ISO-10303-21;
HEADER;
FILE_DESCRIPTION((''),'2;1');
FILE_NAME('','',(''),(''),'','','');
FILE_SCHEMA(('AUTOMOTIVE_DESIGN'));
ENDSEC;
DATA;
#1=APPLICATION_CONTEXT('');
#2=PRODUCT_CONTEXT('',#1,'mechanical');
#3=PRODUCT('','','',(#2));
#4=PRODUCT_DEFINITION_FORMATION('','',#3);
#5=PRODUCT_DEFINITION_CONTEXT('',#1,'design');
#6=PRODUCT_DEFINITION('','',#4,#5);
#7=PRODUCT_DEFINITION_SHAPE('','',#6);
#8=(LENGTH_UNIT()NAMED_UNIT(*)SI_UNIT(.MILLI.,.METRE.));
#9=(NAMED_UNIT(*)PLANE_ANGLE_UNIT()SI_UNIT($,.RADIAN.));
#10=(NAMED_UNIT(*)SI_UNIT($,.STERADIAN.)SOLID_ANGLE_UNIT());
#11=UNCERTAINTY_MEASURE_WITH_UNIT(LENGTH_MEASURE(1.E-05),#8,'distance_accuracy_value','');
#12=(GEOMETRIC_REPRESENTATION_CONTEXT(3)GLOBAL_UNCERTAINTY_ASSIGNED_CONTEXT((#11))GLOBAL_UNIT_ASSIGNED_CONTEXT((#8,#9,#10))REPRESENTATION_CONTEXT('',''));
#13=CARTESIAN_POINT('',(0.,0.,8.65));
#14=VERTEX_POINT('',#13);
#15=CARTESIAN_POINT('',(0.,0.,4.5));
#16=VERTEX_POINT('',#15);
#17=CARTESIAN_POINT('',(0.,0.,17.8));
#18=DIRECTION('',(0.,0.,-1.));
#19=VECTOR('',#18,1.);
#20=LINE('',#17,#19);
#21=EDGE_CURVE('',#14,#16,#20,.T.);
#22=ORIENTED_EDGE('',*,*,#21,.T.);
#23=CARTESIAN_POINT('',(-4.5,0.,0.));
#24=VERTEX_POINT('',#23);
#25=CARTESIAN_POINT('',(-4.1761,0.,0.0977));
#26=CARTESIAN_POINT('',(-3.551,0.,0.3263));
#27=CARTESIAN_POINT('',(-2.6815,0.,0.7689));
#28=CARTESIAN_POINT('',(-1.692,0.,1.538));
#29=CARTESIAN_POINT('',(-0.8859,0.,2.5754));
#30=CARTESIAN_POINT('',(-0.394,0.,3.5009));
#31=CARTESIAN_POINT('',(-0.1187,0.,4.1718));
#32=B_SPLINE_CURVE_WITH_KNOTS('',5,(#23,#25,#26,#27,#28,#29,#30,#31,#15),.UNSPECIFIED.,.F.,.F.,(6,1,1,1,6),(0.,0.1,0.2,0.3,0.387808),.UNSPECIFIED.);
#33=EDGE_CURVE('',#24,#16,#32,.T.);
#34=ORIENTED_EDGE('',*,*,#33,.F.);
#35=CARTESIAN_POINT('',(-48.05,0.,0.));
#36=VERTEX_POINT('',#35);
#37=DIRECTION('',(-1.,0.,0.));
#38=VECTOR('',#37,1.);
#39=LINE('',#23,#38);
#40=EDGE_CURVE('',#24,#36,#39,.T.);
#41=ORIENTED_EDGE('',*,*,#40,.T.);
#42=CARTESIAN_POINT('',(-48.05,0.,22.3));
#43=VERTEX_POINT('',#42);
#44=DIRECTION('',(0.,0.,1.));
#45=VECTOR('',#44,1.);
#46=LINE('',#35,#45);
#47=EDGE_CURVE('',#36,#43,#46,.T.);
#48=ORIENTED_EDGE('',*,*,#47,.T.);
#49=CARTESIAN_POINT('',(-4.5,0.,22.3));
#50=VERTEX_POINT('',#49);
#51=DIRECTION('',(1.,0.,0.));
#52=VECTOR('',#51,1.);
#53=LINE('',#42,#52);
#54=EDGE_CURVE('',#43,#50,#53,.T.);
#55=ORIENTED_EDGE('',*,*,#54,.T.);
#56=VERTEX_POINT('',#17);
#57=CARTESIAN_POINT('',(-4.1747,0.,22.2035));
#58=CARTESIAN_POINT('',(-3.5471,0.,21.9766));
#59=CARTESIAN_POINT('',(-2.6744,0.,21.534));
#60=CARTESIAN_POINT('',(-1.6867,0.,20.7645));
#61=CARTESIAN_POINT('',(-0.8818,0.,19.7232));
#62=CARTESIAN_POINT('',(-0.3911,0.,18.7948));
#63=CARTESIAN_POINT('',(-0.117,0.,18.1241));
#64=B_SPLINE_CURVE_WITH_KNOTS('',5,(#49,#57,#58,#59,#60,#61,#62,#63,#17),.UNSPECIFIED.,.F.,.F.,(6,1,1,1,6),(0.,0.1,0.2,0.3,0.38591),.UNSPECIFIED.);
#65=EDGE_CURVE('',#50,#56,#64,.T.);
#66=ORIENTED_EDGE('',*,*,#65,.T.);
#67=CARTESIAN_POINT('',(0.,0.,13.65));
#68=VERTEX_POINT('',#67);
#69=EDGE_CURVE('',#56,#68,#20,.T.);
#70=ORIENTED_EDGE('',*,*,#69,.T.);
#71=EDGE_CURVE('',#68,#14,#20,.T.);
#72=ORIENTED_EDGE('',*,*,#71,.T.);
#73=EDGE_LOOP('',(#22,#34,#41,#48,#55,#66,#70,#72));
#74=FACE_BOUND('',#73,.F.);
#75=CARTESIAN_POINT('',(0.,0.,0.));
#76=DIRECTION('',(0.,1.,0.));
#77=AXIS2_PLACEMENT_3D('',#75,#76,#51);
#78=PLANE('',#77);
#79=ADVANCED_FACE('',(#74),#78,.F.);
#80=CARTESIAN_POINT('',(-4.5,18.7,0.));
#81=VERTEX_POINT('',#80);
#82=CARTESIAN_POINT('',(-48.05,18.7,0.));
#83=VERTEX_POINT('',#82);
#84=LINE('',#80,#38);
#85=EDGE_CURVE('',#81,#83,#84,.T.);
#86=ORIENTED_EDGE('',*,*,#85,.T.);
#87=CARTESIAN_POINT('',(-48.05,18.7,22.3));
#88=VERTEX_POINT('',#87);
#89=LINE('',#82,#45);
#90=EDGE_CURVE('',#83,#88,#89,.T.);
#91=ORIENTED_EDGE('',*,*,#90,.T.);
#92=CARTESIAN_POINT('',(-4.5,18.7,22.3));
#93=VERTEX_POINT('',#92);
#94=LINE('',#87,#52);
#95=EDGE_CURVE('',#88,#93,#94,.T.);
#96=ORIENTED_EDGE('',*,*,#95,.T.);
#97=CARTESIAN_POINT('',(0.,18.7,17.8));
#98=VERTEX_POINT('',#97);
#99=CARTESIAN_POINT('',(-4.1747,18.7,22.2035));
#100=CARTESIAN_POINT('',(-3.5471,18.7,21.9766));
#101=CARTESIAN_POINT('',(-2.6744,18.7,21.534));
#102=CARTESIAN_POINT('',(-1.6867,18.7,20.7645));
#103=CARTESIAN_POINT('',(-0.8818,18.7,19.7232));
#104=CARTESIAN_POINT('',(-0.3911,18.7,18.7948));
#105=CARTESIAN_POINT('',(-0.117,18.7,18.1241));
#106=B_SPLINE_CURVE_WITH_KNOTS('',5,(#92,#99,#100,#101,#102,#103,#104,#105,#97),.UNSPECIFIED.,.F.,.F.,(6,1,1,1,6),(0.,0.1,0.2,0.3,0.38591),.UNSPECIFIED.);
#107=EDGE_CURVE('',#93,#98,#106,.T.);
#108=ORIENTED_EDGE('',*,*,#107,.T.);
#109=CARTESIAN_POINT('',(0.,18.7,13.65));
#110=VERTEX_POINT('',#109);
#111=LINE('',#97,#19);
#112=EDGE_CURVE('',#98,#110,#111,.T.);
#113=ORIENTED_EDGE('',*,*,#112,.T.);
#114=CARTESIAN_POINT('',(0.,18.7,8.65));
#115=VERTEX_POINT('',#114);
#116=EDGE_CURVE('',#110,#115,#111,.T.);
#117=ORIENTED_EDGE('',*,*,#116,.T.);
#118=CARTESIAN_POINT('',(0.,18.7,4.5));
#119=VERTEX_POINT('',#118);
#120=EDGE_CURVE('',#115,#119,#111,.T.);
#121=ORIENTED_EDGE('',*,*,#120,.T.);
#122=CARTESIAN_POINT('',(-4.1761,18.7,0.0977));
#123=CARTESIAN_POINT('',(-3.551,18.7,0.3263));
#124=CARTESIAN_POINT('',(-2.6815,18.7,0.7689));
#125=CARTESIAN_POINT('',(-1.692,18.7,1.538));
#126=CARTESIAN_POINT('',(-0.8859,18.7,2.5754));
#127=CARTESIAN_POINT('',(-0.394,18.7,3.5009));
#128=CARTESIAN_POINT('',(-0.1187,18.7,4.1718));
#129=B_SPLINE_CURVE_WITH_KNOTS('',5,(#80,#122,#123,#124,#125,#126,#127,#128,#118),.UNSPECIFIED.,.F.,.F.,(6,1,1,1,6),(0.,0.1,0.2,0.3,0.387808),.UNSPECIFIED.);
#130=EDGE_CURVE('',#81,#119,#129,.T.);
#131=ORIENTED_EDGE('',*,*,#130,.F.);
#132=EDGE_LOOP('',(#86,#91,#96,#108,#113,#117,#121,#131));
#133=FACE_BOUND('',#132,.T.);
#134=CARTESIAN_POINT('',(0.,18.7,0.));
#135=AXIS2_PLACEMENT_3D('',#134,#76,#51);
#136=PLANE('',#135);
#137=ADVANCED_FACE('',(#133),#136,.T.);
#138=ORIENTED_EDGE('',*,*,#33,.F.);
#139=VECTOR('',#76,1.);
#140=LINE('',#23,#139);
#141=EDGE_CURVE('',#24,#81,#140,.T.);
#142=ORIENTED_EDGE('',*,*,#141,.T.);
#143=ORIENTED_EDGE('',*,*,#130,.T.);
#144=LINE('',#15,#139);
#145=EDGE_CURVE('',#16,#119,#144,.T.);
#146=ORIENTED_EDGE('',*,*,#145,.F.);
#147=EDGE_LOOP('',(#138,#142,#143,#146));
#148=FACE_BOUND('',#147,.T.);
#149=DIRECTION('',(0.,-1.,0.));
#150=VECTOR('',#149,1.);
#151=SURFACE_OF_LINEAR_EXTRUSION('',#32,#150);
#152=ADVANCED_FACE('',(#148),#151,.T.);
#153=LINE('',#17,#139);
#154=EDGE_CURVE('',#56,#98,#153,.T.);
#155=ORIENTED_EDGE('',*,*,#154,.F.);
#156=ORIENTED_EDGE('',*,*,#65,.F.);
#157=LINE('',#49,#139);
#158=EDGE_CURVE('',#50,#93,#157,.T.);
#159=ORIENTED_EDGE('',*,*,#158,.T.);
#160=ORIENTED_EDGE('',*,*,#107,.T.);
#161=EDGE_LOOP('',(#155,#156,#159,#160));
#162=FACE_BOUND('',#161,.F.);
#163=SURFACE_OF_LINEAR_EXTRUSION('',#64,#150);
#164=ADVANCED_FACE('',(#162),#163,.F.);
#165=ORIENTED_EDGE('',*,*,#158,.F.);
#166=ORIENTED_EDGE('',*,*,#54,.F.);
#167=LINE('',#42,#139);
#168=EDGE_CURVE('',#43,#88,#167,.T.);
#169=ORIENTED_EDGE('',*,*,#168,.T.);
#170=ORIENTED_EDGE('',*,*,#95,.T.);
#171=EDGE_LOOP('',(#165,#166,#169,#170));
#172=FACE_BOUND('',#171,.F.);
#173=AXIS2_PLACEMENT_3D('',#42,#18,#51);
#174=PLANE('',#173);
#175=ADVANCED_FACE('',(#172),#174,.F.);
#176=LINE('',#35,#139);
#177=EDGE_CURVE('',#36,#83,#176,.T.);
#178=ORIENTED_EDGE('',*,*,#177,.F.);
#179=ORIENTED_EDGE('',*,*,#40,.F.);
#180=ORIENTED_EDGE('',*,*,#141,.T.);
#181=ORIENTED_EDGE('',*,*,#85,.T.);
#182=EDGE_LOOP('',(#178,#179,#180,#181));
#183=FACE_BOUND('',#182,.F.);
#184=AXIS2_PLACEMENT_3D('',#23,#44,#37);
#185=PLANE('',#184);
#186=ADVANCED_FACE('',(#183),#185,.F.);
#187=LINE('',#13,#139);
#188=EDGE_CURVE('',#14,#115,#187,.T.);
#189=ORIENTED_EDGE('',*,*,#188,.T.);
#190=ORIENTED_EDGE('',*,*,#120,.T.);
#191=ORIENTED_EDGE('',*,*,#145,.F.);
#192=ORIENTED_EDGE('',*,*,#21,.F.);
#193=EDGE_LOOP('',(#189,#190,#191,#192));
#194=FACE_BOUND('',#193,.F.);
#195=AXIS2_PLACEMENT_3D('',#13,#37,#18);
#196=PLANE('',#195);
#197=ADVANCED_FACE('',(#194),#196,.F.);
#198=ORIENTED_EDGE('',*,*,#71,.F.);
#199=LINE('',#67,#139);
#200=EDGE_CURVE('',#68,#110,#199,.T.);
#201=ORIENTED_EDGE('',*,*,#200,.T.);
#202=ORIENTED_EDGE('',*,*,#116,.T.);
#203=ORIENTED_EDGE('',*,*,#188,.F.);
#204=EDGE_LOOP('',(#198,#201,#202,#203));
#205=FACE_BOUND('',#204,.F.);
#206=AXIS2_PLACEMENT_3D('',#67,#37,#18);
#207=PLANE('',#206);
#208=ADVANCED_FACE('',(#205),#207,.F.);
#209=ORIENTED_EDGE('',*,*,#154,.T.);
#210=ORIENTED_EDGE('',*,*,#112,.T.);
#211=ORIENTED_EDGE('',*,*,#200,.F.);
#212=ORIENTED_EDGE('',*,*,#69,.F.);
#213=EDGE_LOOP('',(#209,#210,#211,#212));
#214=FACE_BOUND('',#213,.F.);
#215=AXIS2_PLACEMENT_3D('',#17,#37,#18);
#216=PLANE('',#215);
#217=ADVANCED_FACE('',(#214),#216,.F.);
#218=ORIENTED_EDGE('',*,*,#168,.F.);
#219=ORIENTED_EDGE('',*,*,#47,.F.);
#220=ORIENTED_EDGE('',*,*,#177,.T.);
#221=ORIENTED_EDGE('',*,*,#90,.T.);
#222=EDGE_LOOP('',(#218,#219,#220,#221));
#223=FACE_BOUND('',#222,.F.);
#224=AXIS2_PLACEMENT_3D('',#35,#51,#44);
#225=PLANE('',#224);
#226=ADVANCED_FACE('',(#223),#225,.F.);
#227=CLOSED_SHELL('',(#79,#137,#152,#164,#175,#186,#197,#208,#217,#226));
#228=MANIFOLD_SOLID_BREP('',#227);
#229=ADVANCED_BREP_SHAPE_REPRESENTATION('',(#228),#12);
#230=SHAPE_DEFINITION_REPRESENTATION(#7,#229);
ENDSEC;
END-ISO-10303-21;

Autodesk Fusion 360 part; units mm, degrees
sketch "スケッチ1" plane through (0, 0, 0) normal (0, 1, 0) x (1, 0, 0)
  line L0 (-48.05, -22.3) -> (-4.5, -22.3)
  line L1 (0, -17.8) -> (0, -4.5)
  line L2 (-4.5, 0) -> (-48.05, 0)
  line L3 (-48.05, 0) -> (-48.05, -22.3)
  line L4 (0, -13.65) -> (5, -13.65)
  line L5 (5, -13.65) -> (5, -8.65)
  line L6 (5, -8.65) -> (0, -8.65)
  line L7 (0, -8.65) -> (0, -13.65)
  spline S0 degree 5 poles (-4.5, 0) (-4.1761, -0.0977) (-3.551, -0.3263) (-2.6815, -0.7689) (-1.692, -1.538) (-0.8859, -2.5754) (-0.394, -3.5009) (-0.1187, -4.1718) (0, -4.5) knots 0 0 0 0 0 0 0.1 0.2 0.3 0.387808 0.387808 0.387808 0.387808 0.387808 0.387808
  line L8 (-0.2882, -3.7033) -> (0.2882, -5.2967)
  spline S1 degree 5 poles (-4.5, -22.3) (-4.1747, -22.2035) (-3.5471, -21.9766) (-2.6744, -21.534) (-1.6867, -20.7645) (-0.8818, -19.7232) (-0.3911, -18.7948) (-0.117, -18.1241) (0, -17.8) knots 0 0 0 0 0 0 0.1 0.2 0.3 0.38591 0.38591 0.38591 0.38591 0.38591 0.38591
  line L9 (-0.2891, -18.6007) -> (0.2891, -16.9993)
  dimension "d3" = 5
  dimension "d4" = 5
  dimension "d6" = 4.5
  dimension "d7" = 4.5
extrude "押し出し1" add sketch "スケッチ1" along normal blind 18.7 contours L0 L1 L2 L3 L7 S0 S1
